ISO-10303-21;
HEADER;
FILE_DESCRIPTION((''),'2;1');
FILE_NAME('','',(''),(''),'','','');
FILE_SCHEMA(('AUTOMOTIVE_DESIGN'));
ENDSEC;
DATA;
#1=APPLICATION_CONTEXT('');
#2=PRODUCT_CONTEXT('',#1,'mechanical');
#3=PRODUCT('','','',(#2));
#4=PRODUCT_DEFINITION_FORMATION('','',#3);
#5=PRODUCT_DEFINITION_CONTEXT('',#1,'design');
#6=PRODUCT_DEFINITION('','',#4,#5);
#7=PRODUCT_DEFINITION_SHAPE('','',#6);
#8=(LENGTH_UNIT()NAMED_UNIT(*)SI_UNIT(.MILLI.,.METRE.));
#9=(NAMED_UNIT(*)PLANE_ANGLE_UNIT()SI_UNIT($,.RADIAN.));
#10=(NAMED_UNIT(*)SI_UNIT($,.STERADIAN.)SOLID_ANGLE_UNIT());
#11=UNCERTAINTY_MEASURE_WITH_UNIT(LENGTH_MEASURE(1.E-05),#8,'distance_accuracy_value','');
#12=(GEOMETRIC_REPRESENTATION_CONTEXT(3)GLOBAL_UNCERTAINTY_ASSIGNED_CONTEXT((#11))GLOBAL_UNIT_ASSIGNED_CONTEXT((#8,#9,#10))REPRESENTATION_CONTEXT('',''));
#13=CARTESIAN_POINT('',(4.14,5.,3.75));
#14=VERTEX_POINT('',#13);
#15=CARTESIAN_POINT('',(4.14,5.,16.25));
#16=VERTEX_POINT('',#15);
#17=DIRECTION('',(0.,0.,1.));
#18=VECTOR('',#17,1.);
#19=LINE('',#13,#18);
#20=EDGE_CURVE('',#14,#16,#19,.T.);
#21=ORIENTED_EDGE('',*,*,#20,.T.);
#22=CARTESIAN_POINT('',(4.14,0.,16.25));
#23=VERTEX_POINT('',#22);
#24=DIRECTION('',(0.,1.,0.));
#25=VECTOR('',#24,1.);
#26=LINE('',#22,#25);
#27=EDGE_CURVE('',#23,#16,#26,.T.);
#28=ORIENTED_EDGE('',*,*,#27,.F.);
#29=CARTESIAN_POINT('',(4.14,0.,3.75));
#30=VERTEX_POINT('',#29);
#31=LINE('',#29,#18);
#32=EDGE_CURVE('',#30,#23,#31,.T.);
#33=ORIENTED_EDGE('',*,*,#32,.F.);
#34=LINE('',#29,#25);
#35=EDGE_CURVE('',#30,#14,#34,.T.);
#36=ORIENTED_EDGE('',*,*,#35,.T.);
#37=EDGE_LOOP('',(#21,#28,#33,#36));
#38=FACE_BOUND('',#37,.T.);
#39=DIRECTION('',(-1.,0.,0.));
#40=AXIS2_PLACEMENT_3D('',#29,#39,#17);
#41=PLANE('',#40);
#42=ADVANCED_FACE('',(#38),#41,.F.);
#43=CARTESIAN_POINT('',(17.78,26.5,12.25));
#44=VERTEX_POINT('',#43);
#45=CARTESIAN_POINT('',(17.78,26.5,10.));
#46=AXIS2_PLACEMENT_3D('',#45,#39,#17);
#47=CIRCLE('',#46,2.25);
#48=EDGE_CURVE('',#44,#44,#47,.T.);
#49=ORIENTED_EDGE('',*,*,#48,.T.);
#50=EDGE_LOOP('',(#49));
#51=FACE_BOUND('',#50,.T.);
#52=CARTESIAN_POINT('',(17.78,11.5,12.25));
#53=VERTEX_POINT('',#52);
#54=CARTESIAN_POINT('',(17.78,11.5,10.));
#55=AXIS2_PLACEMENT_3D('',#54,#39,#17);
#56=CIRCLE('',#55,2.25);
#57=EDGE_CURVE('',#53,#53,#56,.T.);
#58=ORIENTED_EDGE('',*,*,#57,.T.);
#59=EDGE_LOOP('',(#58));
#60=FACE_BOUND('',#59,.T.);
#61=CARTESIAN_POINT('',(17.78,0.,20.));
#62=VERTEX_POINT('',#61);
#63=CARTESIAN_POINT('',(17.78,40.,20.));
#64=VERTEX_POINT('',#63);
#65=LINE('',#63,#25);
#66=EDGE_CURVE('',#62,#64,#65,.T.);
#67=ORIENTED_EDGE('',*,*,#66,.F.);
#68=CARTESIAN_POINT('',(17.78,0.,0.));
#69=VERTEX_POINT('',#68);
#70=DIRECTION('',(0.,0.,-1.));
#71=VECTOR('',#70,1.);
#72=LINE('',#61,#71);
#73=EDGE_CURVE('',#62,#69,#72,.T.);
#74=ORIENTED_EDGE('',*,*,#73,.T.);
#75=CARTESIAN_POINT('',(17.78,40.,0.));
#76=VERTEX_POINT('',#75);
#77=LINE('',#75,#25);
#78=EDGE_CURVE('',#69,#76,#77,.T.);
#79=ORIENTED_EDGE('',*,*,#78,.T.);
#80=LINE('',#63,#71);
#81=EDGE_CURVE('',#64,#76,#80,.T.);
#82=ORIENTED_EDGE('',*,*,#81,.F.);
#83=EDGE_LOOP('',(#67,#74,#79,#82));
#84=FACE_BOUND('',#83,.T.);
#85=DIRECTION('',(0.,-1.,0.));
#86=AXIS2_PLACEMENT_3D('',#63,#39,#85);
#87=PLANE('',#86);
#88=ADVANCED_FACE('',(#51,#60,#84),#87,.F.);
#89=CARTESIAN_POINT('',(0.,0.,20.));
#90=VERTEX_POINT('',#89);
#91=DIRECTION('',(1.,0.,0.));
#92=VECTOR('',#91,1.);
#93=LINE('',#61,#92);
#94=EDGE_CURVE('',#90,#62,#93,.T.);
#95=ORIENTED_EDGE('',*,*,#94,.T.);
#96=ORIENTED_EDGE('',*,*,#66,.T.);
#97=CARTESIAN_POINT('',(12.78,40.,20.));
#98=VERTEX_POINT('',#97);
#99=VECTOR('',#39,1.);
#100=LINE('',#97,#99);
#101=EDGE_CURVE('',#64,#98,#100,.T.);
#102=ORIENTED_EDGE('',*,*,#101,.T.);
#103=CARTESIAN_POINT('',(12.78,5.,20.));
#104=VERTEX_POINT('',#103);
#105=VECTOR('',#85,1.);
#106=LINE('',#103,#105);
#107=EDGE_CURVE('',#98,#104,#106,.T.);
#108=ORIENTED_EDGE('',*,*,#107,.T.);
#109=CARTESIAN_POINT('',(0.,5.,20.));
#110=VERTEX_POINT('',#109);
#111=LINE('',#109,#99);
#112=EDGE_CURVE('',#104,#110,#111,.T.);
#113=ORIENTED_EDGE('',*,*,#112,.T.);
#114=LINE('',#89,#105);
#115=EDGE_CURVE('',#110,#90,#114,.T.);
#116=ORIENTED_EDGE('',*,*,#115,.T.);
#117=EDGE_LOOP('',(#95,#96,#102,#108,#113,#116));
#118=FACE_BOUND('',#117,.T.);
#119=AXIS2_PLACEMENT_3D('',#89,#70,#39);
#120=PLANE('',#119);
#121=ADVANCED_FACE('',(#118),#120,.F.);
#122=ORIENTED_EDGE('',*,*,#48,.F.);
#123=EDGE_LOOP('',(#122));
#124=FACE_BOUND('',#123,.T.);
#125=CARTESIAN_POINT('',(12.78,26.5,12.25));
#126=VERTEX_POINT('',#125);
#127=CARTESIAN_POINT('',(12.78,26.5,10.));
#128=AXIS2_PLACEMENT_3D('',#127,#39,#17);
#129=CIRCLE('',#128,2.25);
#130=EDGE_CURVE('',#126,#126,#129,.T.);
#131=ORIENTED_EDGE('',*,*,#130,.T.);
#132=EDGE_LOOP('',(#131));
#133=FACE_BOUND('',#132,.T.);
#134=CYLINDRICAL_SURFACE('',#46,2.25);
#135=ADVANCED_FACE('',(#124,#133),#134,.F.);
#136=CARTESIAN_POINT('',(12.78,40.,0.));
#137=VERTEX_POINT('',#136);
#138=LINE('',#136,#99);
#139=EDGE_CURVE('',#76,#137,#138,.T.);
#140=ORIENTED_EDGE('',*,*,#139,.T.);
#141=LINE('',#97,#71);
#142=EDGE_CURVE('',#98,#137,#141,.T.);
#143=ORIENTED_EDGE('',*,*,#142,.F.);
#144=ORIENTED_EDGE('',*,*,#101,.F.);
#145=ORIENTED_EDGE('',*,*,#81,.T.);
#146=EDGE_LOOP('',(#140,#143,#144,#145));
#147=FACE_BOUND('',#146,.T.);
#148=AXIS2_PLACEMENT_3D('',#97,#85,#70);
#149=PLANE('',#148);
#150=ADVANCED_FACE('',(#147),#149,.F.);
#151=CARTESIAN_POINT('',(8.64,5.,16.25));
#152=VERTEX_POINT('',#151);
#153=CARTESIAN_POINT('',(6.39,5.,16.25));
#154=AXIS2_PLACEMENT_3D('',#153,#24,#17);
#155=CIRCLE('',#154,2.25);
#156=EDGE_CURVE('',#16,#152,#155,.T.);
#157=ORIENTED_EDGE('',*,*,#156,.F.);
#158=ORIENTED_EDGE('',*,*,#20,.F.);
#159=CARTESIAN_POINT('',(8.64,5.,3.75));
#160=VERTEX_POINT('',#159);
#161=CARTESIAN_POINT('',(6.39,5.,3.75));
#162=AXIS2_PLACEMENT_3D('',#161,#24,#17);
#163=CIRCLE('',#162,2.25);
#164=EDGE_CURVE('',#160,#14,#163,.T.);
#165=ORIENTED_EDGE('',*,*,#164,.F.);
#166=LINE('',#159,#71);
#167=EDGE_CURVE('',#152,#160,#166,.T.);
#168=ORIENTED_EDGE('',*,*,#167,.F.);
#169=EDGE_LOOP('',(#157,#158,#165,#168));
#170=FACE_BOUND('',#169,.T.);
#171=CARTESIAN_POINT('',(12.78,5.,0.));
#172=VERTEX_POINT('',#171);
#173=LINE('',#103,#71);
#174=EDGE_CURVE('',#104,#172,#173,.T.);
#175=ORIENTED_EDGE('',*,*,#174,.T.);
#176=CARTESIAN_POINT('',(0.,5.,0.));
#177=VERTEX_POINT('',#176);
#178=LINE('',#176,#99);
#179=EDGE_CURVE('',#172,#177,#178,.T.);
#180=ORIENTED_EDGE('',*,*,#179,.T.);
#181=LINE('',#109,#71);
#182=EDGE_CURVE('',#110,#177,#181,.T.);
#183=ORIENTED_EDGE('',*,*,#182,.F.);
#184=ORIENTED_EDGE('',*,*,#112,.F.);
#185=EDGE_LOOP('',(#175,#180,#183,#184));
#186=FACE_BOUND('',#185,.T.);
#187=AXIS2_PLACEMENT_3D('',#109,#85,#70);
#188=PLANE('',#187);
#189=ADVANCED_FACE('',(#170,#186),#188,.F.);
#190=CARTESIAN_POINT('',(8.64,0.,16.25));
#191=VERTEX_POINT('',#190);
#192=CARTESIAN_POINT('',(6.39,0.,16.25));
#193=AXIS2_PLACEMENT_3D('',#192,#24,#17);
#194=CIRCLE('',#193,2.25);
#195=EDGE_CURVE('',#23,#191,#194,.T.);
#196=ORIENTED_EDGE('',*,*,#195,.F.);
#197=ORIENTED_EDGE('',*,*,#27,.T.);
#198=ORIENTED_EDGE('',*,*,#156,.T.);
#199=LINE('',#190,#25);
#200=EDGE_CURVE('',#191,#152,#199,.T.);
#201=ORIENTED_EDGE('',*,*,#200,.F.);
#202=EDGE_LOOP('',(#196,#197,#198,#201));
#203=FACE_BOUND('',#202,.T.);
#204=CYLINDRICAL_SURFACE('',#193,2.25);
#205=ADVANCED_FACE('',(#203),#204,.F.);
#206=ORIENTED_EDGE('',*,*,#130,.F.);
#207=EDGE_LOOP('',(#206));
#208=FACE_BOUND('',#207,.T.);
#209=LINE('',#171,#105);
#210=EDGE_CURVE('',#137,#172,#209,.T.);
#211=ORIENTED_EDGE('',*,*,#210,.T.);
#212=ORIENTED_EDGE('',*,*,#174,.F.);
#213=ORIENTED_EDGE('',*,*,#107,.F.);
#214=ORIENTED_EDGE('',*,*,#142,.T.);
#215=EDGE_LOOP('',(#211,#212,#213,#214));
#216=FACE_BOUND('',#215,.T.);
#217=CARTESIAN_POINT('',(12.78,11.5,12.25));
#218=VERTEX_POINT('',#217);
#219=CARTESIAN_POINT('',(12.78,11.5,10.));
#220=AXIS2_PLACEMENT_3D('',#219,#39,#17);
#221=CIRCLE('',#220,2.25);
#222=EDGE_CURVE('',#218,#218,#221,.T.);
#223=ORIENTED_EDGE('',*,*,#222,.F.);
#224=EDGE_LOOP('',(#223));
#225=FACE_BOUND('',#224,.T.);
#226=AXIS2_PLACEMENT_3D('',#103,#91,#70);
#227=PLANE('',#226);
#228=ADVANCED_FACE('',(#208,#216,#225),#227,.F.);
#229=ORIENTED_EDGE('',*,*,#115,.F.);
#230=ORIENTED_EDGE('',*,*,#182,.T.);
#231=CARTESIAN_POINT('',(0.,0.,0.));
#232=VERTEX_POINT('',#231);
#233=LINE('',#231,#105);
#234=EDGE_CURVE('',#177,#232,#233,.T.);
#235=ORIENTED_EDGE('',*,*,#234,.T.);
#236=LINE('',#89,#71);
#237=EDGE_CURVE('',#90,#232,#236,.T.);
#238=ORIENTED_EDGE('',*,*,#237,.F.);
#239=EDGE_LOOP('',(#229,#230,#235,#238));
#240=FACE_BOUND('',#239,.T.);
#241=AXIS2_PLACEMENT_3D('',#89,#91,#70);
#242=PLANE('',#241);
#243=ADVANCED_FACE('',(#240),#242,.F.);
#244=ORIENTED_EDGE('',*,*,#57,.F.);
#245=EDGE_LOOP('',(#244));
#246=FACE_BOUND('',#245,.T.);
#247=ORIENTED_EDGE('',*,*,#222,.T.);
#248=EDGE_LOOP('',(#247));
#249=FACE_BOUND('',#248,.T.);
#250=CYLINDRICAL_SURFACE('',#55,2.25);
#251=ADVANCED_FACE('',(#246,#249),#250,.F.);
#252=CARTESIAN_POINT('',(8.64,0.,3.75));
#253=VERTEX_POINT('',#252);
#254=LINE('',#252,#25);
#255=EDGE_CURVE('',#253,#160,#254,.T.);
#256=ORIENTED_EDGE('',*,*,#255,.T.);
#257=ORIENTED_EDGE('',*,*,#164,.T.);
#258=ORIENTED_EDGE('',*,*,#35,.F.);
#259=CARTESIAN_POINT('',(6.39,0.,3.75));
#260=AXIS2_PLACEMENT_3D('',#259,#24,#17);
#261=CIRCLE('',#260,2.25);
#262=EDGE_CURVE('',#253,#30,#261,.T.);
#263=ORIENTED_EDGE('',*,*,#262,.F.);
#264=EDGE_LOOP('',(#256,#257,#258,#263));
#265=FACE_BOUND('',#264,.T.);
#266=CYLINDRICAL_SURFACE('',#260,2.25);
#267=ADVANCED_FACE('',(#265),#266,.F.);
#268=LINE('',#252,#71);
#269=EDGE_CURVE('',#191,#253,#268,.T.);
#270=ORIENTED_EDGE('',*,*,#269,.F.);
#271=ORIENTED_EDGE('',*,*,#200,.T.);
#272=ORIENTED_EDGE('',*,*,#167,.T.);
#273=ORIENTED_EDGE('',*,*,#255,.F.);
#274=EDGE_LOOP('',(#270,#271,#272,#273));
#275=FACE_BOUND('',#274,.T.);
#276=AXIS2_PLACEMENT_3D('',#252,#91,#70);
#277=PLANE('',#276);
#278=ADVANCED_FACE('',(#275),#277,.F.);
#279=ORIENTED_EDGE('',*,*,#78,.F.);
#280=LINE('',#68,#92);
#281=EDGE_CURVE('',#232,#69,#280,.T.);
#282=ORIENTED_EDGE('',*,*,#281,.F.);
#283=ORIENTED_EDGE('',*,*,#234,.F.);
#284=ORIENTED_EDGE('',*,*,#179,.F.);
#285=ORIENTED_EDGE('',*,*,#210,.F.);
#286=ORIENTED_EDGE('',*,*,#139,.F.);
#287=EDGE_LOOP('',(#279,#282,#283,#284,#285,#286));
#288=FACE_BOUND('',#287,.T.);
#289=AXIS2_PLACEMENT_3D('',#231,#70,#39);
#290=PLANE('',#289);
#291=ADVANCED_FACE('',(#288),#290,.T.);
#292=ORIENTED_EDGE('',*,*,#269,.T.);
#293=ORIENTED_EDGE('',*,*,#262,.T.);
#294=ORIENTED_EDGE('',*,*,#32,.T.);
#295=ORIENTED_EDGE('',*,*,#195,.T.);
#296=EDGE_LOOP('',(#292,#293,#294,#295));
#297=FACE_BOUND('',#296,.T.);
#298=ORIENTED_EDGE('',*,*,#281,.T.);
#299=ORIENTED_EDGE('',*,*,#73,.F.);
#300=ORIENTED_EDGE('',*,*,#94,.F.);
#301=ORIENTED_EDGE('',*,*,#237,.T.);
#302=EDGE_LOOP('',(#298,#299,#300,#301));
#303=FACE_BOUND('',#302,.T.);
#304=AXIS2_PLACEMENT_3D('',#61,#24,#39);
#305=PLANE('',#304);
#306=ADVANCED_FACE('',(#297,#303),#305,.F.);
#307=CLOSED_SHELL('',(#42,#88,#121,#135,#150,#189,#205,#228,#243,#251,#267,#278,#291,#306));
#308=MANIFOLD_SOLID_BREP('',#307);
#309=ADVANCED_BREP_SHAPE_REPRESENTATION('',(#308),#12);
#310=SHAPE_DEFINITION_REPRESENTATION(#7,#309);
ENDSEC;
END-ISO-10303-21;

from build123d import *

# Parameters (mm, degrees)
RESSALTO_EXTRUS_O1_DEPTH = 20
CORTE_EXTRUS_O1_DEPTH    = 45.05823873
ESBO_O3_R                = 2.25
CORTE_EXTRUS_O2_DEPTH    = 47.511594253


with BuildPart() as part:
    # Esboço1 → Ressalto-extrusão1 (new body)
    with BuildSketch(Plane.XY):
        Polygon((0, 0), (0, 5), (12.78, 5), (12.78, 40), (17.78, 40), (17.78, 0), align=None)
    extrude(amount=RESSALTO_EXTRUS_O1_DEPTH)

    # Esboço2 → Corte-extrusão1 (cut, through all)
    with BuildSketch(Plane(origin=(0, 5, 0), x_dir=(1, 0, 0), z_dir=(0, 1, 0))):
        with BuildLine():
            Line((8.64, -3.75), (8.64, -16.25))
            ThreePointArc((8.64, -16.25), (6.39, -18.5), (4.14, -16.25))
            Line((4.14, -16.25), (4.14, -3.75))
            ThreePointArc((4.14, -3.75), (6.39, -1.5), (8.64, -3.75))
        make_face()
    extrude(amount=-CORTE_EXTRUS_O1_DEPTH, mode=Mode.SUBTRACT)

    # Esboço3 → Corte-extrusão2 (cut, through all)
    with BuildSketch(Plane.ZY.offset(-12.78)):
        with Locations((10, 26.5)):
            Circle(ESBO_O3_R)
        with Locations((10, 11.5)):
            Circle(ESBO_O3_R)
    extrude(amount=-CORTE_EXTRUS_O2_DEPTH, mode=Mode.SUBTRACT)


solid = part.part
